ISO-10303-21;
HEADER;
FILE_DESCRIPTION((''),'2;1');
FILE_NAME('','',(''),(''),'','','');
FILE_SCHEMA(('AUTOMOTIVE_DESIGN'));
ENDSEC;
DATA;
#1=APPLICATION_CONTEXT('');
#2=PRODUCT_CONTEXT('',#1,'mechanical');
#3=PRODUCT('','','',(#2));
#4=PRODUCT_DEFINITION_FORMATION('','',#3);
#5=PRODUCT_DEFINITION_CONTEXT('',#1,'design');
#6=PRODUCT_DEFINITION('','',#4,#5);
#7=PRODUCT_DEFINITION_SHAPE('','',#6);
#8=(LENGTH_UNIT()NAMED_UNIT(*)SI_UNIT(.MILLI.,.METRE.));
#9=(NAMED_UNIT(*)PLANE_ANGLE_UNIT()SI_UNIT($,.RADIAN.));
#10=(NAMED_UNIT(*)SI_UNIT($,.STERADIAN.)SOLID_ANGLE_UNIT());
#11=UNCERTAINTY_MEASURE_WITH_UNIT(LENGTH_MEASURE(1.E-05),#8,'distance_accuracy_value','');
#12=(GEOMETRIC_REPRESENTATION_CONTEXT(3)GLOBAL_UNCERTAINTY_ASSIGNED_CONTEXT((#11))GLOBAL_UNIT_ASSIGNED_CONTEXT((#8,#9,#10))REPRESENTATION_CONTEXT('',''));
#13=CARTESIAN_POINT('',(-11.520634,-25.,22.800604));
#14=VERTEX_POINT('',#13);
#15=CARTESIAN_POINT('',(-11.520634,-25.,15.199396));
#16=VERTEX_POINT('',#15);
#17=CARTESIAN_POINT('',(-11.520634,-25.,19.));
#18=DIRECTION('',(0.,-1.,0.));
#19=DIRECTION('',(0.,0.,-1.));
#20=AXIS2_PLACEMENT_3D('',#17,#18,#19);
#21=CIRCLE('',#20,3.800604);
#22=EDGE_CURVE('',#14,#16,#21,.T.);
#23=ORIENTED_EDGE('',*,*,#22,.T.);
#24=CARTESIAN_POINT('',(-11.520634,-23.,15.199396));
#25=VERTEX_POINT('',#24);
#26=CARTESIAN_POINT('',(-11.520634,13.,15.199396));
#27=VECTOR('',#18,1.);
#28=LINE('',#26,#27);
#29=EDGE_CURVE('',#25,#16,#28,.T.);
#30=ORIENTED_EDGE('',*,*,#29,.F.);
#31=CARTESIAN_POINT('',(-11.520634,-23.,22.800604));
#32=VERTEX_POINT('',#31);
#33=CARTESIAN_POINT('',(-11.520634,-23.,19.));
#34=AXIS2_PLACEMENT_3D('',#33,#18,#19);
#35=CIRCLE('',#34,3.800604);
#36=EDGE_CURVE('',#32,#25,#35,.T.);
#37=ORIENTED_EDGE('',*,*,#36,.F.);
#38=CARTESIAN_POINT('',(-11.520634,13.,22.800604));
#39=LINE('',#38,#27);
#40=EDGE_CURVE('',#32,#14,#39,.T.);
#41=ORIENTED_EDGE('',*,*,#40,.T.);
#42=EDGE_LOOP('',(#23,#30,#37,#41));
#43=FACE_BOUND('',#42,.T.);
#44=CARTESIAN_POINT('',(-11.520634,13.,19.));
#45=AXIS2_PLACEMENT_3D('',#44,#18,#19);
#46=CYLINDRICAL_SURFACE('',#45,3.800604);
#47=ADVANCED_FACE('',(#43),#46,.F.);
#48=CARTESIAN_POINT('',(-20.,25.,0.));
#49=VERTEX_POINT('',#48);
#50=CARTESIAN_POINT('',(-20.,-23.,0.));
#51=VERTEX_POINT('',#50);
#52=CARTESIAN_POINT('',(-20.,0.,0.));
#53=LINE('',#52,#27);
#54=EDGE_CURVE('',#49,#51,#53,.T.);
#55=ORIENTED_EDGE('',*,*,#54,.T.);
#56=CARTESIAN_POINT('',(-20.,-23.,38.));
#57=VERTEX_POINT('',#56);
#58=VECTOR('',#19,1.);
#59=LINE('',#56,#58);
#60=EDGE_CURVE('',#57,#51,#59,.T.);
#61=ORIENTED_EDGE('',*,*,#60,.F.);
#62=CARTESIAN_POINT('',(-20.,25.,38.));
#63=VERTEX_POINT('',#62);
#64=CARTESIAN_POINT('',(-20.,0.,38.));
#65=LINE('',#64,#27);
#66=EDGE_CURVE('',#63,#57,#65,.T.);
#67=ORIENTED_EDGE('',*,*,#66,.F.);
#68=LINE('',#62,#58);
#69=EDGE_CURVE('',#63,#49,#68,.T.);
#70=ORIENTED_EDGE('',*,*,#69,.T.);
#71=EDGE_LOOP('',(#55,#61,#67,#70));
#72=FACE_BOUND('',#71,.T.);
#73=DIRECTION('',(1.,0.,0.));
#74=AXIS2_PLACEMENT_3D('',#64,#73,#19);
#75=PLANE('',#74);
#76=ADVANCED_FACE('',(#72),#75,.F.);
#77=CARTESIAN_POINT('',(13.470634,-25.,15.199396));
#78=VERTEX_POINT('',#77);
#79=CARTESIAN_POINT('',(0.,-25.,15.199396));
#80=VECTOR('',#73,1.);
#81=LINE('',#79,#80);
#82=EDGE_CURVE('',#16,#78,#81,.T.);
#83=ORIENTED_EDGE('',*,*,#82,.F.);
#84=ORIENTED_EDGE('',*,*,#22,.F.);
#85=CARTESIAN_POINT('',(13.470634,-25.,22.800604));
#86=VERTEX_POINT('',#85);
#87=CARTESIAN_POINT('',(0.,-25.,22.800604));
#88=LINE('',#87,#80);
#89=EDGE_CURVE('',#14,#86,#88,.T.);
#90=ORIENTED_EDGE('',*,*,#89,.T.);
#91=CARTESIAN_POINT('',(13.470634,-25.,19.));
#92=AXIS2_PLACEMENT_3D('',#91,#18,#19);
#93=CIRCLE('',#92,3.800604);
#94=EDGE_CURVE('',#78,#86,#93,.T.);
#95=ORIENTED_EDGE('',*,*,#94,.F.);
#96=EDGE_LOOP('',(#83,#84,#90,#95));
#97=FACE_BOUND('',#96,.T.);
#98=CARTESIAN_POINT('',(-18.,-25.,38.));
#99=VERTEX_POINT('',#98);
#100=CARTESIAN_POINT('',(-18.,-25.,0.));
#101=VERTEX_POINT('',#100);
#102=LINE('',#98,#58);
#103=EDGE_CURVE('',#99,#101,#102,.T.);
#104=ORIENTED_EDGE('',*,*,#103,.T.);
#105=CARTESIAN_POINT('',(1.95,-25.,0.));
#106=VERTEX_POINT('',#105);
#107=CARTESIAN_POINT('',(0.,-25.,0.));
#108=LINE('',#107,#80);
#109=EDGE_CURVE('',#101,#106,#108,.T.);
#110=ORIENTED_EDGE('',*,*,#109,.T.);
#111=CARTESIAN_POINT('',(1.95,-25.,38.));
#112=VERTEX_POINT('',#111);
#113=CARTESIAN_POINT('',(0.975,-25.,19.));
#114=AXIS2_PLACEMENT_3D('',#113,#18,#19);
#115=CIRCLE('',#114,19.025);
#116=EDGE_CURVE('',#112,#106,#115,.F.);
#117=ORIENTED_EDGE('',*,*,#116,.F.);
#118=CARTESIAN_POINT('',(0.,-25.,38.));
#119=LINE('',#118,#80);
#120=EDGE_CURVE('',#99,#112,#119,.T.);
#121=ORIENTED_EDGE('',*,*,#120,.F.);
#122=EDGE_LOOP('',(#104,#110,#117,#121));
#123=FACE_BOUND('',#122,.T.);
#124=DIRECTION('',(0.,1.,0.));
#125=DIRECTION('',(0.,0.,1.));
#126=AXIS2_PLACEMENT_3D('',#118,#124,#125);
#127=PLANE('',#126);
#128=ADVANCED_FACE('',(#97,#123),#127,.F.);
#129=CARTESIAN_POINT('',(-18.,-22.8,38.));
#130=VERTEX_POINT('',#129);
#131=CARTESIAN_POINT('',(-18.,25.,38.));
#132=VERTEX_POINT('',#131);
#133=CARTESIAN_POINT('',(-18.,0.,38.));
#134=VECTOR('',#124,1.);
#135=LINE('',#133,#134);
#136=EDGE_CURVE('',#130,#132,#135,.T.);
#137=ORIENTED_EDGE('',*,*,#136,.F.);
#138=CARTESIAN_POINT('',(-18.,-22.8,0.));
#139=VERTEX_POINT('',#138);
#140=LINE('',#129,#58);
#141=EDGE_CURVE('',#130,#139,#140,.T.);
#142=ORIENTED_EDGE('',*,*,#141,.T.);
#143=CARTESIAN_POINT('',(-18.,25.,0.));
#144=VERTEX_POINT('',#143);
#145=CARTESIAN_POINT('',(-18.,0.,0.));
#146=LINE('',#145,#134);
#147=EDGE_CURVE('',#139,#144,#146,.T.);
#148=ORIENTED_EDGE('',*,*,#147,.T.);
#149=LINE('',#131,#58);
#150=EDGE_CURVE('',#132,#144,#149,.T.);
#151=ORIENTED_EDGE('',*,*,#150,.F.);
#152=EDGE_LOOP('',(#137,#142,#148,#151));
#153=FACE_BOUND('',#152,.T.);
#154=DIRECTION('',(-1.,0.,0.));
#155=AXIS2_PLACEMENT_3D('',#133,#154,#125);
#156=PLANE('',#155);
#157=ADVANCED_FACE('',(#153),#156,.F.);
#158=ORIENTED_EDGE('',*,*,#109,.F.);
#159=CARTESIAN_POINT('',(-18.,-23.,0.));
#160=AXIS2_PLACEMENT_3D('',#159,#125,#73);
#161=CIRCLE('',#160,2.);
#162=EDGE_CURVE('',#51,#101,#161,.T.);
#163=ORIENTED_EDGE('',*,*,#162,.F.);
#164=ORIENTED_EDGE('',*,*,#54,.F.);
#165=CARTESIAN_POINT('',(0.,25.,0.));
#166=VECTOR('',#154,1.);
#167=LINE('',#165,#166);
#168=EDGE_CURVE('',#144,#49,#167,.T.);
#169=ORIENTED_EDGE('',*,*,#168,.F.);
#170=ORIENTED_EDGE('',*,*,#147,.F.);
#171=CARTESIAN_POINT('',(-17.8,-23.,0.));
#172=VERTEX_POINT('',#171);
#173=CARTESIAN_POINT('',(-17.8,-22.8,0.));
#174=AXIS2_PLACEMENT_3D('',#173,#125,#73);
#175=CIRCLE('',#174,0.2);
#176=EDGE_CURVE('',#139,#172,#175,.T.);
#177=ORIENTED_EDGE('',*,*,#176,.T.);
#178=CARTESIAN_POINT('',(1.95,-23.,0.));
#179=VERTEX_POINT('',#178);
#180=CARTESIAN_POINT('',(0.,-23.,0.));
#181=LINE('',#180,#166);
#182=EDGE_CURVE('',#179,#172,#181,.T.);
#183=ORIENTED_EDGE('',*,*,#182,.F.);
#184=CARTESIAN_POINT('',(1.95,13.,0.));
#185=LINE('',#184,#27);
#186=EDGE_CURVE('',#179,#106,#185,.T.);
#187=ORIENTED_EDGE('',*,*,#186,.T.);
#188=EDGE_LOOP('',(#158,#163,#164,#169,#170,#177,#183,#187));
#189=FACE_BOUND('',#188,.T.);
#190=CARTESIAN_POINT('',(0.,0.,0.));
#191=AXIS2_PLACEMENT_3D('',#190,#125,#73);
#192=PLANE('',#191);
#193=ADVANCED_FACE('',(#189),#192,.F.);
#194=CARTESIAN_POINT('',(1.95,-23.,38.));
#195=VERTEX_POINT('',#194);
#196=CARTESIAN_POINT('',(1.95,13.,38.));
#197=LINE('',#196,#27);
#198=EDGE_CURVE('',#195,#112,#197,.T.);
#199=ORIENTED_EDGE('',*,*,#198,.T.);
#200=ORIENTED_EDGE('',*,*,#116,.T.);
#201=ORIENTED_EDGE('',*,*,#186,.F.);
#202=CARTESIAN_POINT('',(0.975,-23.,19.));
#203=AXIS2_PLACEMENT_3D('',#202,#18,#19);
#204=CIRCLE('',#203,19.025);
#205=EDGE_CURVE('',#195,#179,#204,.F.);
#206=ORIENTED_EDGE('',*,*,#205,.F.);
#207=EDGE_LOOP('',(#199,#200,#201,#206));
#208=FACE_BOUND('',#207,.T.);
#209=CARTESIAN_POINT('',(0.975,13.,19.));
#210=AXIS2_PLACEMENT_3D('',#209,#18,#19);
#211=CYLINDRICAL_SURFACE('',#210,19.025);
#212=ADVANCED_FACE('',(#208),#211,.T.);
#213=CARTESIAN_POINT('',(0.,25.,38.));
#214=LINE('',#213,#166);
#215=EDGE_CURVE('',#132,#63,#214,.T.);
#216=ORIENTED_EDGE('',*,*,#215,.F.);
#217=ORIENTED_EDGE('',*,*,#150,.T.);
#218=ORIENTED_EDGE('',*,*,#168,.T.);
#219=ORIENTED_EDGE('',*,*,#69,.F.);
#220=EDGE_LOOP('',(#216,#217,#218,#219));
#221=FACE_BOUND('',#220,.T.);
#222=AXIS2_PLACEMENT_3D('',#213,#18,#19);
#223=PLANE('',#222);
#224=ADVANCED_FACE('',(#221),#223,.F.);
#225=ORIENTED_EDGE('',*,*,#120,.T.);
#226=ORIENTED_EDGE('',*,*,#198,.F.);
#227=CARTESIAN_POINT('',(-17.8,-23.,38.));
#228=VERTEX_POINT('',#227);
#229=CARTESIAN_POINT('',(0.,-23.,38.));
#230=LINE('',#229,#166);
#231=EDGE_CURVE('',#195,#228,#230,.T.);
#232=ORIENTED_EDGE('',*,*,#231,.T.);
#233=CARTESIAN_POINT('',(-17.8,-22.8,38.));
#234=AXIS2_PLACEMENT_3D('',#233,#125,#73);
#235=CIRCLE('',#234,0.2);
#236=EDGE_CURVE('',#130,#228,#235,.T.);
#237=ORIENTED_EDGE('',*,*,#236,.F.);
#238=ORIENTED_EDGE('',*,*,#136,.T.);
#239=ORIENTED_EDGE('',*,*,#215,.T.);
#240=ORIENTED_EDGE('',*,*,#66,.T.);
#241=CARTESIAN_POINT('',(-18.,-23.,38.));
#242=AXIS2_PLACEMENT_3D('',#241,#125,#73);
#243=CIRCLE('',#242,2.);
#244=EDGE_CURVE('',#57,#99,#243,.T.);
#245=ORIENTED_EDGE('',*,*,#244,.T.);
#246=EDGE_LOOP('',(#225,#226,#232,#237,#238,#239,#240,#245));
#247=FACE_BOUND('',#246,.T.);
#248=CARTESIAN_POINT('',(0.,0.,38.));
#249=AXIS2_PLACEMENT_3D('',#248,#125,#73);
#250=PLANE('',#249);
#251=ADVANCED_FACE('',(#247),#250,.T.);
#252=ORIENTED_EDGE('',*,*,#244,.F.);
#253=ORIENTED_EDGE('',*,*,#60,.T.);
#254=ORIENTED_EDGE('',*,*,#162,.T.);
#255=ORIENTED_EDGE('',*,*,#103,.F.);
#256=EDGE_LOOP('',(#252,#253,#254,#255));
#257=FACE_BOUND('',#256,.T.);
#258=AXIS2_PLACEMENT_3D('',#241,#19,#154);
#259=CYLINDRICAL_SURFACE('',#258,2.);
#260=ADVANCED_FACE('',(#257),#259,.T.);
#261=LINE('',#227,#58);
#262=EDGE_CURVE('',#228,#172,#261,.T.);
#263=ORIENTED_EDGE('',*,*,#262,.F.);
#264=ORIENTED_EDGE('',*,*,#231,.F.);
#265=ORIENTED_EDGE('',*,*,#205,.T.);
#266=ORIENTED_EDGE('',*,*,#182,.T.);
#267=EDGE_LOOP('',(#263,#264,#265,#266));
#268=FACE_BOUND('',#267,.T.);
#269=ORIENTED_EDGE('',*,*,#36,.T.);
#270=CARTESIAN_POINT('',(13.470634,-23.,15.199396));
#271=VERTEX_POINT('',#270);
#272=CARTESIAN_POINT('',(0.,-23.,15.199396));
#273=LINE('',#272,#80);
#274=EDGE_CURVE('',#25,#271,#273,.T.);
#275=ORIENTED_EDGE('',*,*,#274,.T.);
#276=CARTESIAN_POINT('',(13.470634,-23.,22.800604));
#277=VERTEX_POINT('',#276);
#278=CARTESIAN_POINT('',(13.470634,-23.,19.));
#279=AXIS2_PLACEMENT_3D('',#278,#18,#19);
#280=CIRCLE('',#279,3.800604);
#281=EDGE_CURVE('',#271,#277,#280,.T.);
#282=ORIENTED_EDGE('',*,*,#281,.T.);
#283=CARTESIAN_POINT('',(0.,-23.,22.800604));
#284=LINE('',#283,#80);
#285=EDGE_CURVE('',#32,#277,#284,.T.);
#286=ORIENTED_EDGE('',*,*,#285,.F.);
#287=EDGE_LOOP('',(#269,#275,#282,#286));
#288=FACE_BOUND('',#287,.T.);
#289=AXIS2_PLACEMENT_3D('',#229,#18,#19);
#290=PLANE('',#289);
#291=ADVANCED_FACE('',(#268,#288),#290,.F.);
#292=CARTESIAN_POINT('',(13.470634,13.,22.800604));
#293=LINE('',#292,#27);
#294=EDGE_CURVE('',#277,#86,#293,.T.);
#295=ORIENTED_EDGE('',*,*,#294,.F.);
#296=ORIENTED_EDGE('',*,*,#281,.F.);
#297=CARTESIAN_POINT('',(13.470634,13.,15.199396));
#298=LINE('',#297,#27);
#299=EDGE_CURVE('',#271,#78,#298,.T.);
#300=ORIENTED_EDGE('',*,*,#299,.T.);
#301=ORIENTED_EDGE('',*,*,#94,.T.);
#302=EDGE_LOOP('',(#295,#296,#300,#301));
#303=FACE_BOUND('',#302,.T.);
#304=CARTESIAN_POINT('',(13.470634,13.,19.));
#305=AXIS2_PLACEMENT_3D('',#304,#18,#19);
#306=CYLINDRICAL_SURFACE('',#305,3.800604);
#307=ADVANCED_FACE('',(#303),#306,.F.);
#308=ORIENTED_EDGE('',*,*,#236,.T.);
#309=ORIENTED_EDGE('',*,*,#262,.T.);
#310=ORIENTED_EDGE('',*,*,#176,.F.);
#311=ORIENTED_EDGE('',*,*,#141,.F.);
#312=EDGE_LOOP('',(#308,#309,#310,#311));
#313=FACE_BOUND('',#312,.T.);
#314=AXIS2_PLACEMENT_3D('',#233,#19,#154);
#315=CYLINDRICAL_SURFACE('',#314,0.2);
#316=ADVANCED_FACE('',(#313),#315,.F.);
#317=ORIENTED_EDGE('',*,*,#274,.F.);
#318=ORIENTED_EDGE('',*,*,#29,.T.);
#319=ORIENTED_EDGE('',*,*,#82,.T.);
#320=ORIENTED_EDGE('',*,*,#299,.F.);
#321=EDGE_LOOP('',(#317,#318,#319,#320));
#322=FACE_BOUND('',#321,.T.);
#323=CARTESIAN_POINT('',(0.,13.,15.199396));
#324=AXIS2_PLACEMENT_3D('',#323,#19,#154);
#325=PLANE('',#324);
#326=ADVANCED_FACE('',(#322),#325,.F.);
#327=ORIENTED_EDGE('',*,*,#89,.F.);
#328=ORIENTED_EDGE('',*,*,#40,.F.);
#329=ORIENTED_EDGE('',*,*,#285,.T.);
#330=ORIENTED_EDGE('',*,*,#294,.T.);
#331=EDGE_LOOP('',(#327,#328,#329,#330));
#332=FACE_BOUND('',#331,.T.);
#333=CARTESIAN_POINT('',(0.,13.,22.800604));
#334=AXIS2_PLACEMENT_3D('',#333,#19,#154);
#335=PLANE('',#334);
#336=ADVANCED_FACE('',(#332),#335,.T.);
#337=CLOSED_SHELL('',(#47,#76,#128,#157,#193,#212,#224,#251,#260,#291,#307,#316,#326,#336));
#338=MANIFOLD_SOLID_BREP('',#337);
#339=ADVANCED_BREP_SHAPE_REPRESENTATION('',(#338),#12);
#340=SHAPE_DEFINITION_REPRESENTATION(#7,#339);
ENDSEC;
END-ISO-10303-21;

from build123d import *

# Parameters (mm, degrees)
SKETCH1_W           = 19
SKETCH1_H           = 2
BOSS_EXTRUDE1_DEPTH = 38
CUT_EXTRUDE1_DEPTH  = 38


with BuildPart() as part:
    # Sketch1 → Boss-Extrude1 (new body)
    with BuildSketch(Plane.XY):
        with BuildLine():
            ThreePointArc((-18.000000186, -22.8), (-17.941421543, -22.941421356), (-17.800000186, -23))
            Line((-17.800000186, -23), (1.000000186, -23))
            Line((1.000000186, -23), (1.000000186, -25))
            Line((1.000000186, -25), (-18.000000186, -25))
            ThreePointArc((-18.000000186, -25), (-19.414213749, -24.414213562), (-20.000000186, -23))
            Line((-20.000000186, -23), (-20.000000186, 23))
            Line((-20.000000186, 23), (-20.000000186, 25))
            Line((-20.000000186, 25), (-18.000000186, 25))
            Line((-18.000000186, 25), (-18.000000186, 23))
            Line((-18.000000186, 23), (-18.000000186, -22.8))
        make_face()
        with Locations((10.500000186, -24)):
            Rectangle(SKETCH1_W, SKETCH1_H)
    extrude(amount=BOSS_EXTRUDE1_DEPTH)

    # Sketch2 → Cut-Extrude1 (cut)
    with BuildSketch(Plane.XZ.offset(25)):
        with BuildLine():
            Line((20.000000186, 0), (20.000000186, 19))
            ThreePointArc((20.000000186, 19), (14.768114469, 5.896541545), (1.950000354, 0))
            Line((1.950000354, 0), (20.000000186, 0))
        make_face()
        with BuildLine():
            Line((20.000000186, 38), (1.950000354, 38))
            ThreePointArc((1.950000354, 38), (14.768114469, 32.103458455), (20.000000186, 19))
            Line((20.000000186, 19), (20.000000186, 38))
        make_face()
        with BuildLine():
            Line((13.470634361, 22.80060415), (-11.520634006, 22.80060415))
            ThreePointArc((-11.520634006, 22.80060415), (-15.321238156, 19), (-11.520634006, 15.19939585))
            Line((-11.520634006, 15.19939585), (13.470634361, 15.19939585))
            ThreePointArc((13.470634361, 15.19939585), (17.27123851, 19), (13.470634361, 22.80060415))
        make_face()
    extrude(amount=-CUT_EXTRUDE1_DEPTH, mode=Mode.SUBTRACT)


solid = part.part
